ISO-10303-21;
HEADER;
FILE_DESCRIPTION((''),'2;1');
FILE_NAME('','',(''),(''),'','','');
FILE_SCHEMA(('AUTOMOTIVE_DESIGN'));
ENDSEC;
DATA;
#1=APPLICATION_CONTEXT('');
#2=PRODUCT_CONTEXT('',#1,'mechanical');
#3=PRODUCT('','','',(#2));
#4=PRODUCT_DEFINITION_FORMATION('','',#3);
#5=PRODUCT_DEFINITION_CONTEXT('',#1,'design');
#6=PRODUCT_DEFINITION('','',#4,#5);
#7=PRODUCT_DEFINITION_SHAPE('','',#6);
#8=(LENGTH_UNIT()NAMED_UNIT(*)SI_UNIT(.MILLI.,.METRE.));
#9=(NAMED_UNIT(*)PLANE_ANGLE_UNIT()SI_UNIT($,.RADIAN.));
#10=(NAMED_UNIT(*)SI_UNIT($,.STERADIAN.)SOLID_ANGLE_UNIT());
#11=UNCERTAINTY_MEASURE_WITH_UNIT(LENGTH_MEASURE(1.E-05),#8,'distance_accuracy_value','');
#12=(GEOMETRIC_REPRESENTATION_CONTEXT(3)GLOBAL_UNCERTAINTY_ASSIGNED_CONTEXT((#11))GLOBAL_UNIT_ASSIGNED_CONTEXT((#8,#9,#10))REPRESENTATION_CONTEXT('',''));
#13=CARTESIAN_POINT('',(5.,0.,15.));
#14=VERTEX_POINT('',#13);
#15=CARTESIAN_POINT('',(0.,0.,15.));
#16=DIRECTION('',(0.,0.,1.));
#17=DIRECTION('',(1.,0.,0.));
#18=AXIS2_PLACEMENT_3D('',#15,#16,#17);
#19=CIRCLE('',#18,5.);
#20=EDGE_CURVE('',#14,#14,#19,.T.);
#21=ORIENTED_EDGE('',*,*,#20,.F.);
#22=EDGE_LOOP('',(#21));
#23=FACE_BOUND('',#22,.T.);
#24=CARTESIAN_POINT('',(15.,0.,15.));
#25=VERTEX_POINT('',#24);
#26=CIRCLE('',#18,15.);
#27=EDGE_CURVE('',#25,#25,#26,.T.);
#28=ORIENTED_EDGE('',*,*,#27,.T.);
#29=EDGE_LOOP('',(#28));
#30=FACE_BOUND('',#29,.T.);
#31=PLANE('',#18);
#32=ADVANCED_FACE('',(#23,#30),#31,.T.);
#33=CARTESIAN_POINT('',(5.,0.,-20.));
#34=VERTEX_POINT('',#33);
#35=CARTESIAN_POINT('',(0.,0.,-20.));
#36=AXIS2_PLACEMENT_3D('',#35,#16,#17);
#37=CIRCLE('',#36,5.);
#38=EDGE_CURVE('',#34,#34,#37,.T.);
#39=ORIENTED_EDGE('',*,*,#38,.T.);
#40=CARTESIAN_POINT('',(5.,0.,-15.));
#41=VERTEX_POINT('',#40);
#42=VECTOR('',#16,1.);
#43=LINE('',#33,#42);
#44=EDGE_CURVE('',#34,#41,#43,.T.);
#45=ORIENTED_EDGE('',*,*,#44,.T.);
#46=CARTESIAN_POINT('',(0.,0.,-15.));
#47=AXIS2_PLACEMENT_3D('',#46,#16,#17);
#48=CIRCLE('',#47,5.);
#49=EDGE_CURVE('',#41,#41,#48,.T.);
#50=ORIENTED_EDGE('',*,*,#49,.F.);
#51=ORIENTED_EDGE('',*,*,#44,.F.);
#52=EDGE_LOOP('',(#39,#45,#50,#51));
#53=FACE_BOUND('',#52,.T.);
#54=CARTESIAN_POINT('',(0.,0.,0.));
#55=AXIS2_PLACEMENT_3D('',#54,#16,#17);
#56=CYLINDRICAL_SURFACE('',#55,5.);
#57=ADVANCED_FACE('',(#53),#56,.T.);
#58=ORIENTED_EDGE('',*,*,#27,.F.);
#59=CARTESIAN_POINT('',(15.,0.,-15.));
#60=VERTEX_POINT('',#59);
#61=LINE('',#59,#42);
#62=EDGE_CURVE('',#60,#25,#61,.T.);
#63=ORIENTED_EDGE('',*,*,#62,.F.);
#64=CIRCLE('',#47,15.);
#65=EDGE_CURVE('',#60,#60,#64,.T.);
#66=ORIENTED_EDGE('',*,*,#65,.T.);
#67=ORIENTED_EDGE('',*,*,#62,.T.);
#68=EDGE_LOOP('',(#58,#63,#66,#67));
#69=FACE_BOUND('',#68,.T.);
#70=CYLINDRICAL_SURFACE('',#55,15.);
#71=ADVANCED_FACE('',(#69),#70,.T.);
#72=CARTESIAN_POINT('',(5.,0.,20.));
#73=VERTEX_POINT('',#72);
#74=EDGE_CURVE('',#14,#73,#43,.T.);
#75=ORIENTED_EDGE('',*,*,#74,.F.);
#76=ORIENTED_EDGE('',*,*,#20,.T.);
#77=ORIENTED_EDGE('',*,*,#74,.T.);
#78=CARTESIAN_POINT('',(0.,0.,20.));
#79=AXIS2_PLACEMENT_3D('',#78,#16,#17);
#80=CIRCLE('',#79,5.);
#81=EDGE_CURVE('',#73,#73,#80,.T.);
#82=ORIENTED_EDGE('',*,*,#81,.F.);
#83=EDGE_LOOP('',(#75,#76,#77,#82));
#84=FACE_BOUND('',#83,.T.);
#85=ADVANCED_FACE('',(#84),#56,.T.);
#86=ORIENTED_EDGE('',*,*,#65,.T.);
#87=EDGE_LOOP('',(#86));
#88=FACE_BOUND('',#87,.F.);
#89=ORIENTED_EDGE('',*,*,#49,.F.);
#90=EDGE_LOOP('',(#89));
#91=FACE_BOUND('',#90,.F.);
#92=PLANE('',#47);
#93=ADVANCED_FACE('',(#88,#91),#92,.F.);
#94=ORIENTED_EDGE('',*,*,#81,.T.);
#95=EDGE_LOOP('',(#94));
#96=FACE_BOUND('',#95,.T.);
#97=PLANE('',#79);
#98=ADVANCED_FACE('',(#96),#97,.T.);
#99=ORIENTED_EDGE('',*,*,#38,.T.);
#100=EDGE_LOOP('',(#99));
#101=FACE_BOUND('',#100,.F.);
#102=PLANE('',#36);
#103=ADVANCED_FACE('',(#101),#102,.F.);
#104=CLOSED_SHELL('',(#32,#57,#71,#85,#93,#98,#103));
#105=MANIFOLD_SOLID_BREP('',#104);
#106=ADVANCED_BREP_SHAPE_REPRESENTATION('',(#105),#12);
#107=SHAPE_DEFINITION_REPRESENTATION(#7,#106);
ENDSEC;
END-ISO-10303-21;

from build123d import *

# Parameters (mm, degrees)
SKETCH_R     = 15
PAD_DEPTH    = 15
SKETCH002_R  = 5
PAD001_DEPTH = 20


with BuildPart() as part:
    # Sketch → Pad (new body, symmetric)
    with BuildSketch(Plane.XY):
        Circle(SKETCH_R)
    extrude(amount=PAD_DEPTH, both=True)

    # Sketch002 → Pad001 (join, symmetric)
    with BuildSketch(Plane.XY):
        Circle(SKETCH002_R)
    extrude(amount=PAD001_DEPTH, both=True)


solid = part.part
